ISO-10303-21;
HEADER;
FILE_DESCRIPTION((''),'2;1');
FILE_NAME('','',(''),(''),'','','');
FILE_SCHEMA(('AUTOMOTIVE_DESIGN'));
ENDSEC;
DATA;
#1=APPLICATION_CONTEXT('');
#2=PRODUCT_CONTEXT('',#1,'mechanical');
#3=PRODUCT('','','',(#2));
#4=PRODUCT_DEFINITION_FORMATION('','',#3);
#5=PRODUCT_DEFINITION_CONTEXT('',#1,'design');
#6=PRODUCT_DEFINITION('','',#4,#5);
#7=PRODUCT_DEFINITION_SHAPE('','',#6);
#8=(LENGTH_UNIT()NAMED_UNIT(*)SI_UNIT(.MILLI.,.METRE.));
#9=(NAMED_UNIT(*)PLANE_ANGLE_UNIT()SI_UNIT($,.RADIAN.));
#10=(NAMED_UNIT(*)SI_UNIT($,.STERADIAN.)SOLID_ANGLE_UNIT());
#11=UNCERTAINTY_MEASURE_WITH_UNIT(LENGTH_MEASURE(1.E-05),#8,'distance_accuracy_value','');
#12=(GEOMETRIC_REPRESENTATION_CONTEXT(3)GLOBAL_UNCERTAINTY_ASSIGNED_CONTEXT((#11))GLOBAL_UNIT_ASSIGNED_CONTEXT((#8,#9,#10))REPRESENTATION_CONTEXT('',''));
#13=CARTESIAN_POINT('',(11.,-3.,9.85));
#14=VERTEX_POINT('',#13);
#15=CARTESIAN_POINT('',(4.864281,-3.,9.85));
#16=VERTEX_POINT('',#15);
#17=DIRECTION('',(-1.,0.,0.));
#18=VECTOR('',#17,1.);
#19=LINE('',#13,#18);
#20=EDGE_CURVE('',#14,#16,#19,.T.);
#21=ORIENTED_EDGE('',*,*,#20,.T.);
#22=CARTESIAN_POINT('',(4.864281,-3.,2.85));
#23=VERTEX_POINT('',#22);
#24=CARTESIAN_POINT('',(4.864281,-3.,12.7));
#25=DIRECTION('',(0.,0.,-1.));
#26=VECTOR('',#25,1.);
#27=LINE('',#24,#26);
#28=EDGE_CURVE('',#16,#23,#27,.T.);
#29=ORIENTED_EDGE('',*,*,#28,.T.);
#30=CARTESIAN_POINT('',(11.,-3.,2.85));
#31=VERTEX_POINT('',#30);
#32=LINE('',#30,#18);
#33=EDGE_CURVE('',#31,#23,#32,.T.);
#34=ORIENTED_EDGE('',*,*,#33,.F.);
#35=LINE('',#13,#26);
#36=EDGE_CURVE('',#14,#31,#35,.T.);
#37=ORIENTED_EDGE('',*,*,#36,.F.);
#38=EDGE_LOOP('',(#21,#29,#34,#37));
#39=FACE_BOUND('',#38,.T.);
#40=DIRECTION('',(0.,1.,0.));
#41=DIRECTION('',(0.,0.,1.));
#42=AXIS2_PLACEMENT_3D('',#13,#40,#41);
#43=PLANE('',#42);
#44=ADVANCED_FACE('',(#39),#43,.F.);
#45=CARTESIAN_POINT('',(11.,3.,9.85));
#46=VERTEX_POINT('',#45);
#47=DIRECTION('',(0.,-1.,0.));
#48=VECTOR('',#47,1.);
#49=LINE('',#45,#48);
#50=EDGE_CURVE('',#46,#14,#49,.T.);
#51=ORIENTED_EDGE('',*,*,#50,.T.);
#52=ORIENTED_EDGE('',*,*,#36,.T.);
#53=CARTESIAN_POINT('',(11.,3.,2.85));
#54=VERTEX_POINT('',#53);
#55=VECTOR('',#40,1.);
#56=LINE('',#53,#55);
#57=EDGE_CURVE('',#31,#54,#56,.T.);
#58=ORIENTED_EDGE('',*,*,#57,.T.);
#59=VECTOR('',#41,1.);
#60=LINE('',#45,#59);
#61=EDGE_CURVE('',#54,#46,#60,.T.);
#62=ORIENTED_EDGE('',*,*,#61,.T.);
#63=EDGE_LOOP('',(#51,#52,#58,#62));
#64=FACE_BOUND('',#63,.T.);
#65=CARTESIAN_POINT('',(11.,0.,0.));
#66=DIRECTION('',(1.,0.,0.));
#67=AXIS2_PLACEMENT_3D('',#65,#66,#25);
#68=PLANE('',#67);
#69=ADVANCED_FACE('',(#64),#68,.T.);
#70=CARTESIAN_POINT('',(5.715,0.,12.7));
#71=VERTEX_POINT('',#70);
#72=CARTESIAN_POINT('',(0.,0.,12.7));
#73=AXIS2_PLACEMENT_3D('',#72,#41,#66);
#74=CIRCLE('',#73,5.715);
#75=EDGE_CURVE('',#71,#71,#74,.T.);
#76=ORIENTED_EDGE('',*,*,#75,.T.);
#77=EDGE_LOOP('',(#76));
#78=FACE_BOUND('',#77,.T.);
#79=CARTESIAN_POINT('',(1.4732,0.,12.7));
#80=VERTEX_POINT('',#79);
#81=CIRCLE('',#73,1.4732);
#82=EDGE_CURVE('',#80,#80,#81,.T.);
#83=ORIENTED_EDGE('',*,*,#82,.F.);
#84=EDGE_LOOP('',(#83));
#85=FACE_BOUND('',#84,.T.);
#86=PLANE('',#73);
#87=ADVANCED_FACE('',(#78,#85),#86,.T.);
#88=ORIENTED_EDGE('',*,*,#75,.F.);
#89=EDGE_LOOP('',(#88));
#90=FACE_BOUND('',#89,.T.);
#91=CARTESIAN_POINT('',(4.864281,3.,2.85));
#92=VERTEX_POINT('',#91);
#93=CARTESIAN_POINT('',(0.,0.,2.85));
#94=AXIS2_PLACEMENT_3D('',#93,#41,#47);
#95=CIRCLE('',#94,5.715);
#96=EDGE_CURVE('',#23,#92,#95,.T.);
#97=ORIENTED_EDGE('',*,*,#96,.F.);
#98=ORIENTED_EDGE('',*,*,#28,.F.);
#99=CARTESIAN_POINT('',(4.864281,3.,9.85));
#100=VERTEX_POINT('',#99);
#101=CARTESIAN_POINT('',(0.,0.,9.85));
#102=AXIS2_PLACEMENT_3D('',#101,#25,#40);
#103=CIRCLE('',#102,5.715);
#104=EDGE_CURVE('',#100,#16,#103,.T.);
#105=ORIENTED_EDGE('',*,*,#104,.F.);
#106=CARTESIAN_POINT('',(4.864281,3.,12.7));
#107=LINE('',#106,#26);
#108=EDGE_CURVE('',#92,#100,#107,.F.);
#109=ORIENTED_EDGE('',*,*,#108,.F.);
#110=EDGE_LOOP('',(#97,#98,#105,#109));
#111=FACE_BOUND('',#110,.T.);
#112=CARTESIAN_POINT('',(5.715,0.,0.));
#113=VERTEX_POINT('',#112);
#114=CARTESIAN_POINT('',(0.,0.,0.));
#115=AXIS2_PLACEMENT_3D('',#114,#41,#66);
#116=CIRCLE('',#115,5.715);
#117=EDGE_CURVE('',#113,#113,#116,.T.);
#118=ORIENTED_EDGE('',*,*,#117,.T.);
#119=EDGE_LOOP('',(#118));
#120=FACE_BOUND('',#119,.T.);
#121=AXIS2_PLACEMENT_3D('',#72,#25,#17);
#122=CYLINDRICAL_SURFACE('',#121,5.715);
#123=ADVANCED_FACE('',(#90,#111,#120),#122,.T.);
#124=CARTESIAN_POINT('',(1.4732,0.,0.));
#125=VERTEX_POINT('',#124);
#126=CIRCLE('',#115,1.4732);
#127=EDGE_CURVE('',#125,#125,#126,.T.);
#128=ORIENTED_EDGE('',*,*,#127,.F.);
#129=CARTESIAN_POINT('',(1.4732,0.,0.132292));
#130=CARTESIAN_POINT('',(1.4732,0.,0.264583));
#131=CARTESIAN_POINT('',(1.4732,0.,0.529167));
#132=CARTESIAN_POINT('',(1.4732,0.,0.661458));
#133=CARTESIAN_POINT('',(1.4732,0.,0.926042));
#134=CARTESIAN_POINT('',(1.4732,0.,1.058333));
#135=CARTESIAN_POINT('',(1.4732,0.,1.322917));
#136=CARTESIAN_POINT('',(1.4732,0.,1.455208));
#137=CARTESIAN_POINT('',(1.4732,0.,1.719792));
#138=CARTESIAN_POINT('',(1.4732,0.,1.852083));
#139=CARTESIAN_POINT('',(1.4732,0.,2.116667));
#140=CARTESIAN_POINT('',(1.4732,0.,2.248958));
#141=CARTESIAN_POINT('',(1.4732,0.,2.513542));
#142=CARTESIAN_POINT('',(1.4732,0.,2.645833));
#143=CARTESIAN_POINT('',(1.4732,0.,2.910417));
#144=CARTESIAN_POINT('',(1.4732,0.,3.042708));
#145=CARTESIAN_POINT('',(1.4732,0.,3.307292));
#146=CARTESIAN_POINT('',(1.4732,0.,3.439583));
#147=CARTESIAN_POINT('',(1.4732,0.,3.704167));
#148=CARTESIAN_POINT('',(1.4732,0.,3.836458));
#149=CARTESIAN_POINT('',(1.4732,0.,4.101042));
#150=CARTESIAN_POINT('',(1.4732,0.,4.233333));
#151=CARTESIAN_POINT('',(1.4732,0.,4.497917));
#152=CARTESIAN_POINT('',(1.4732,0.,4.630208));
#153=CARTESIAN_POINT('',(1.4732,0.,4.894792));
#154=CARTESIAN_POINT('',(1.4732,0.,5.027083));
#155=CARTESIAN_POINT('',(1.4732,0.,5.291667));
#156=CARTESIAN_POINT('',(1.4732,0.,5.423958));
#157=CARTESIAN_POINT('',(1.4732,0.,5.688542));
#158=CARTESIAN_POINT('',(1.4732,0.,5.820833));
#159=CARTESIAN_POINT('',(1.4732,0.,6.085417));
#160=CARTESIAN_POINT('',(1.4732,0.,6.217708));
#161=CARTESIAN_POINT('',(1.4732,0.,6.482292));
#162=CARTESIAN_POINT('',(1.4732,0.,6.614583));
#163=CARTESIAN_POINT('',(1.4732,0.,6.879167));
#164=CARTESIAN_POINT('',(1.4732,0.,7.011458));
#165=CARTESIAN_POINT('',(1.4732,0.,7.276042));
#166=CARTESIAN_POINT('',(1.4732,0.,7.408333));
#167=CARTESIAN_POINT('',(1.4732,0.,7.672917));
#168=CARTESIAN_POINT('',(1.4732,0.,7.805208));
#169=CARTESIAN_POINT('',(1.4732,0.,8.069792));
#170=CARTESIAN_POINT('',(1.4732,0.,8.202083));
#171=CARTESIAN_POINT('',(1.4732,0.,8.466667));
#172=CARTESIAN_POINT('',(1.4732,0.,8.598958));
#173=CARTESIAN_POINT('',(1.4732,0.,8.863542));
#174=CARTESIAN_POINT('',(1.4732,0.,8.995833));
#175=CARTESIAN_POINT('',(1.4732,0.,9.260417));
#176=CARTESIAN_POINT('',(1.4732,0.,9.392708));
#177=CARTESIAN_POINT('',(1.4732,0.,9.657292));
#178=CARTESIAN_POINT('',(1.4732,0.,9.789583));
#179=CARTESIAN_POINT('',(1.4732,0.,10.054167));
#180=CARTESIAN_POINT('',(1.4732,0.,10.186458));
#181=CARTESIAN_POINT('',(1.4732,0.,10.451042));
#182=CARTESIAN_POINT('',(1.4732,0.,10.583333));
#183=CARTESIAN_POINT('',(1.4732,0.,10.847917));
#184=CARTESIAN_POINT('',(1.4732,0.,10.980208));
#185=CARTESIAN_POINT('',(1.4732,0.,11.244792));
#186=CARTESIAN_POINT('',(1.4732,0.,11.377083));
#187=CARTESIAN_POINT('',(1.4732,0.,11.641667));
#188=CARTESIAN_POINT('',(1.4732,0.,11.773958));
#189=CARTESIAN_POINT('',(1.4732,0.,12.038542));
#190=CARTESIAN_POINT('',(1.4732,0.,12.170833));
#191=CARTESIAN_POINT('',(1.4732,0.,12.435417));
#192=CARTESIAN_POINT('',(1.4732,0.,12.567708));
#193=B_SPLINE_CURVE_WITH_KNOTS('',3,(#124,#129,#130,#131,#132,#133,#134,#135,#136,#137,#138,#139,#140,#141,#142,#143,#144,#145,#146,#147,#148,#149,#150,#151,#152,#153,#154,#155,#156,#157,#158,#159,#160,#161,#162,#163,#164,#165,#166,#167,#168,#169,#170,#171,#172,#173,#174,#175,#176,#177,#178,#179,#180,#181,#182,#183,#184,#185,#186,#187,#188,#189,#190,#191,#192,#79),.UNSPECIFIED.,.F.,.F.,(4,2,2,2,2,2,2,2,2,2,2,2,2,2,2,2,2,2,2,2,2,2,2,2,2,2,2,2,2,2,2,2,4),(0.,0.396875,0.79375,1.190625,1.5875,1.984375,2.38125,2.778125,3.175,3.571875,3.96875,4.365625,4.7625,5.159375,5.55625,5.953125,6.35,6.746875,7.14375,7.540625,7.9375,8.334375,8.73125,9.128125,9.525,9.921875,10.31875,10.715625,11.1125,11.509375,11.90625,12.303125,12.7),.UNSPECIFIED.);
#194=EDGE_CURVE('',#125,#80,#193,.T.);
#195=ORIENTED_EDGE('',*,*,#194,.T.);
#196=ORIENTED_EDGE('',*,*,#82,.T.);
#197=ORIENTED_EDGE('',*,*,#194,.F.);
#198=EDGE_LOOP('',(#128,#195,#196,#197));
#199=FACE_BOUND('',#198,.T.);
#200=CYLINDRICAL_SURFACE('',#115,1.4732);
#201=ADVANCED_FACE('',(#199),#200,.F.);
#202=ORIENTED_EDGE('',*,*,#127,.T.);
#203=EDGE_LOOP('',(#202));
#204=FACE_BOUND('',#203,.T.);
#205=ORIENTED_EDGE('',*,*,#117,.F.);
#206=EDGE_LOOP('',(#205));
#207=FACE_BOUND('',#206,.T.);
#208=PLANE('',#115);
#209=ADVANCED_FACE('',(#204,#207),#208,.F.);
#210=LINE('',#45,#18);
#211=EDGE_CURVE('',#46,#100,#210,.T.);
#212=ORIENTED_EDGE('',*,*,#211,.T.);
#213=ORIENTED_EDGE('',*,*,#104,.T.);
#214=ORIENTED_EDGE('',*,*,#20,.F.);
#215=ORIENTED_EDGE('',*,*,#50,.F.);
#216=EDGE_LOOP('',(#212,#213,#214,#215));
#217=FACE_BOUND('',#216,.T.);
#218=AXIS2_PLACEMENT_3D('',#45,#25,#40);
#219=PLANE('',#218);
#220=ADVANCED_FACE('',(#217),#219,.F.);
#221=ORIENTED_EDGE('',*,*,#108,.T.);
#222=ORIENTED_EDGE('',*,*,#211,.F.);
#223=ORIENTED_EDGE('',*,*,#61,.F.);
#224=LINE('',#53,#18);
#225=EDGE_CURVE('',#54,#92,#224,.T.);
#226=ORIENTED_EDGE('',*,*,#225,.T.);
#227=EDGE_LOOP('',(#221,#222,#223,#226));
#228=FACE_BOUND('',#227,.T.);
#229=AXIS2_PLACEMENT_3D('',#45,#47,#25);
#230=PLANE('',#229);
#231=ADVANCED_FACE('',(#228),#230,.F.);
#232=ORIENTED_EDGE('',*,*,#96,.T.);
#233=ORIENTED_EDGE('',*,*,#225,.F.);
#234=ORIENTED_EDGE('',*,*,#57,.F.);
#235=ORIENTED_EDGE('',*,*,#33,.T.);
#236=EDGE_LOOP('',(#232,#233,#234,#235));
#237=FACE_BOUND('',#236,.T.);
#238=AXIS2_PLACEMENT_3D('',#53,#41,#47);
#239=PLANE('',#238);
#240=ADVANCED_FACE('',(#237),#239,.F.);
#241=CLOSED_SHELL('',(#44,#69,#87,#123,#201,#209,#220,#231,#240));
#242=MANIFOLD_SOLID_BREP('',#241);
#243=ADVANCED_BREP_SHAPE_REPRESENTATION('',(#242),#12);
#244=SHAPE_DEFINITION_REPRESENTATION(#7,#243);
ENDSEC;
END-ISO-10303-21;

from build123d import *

# Parameters (mm, degrees)
SKETCH1_R           = 5.715
BOSS_EXTRUDE1_DEPTH = 12.7
SKETCH2_R           = 1.4732
CUT_EXTRUDE1_DEPTH  = 16.053652381
SKETCH3_W           = 7
SKETCH3_H           = 6
BOSS_EXTRUDE2_DEPTH = 7


with BuildPart() as part:
    # Sketch1 → Boss-Extrude1 (new body)
    with BuildSketch(Plane.XY):
        with Locations(Location((0, 0, 0), (0, 0, 180))):
            Circle(SKETCH1_R)
    extrude(amount=BOSS_EXTRUDE1_DEPTH)

    # Sketch2 → Cut-Extrude1 (cut, through all)
    with BuildSketch(Plane.XY.offset(12.7)):
        Circle(SKETCH2_R)
    extrude(amount=-CUT_EXTRUDE1_DEPTH, mode=Mode.SUBTRACT)

    # Sketch3 → Boss-Extrude2 (add)
    with BuildSketch(Plane(origin=(4, 0, 0), x_dir=(0, 0, -1), z_dir=(1, 0, 0))):
        with Locations((-6.35, 0)):
            Rectangle(SKETCH3_W, SKETCH3_H)
    extrude(amount=BOSS_EXTRUDE2_DEPTH)


solid = part.part
